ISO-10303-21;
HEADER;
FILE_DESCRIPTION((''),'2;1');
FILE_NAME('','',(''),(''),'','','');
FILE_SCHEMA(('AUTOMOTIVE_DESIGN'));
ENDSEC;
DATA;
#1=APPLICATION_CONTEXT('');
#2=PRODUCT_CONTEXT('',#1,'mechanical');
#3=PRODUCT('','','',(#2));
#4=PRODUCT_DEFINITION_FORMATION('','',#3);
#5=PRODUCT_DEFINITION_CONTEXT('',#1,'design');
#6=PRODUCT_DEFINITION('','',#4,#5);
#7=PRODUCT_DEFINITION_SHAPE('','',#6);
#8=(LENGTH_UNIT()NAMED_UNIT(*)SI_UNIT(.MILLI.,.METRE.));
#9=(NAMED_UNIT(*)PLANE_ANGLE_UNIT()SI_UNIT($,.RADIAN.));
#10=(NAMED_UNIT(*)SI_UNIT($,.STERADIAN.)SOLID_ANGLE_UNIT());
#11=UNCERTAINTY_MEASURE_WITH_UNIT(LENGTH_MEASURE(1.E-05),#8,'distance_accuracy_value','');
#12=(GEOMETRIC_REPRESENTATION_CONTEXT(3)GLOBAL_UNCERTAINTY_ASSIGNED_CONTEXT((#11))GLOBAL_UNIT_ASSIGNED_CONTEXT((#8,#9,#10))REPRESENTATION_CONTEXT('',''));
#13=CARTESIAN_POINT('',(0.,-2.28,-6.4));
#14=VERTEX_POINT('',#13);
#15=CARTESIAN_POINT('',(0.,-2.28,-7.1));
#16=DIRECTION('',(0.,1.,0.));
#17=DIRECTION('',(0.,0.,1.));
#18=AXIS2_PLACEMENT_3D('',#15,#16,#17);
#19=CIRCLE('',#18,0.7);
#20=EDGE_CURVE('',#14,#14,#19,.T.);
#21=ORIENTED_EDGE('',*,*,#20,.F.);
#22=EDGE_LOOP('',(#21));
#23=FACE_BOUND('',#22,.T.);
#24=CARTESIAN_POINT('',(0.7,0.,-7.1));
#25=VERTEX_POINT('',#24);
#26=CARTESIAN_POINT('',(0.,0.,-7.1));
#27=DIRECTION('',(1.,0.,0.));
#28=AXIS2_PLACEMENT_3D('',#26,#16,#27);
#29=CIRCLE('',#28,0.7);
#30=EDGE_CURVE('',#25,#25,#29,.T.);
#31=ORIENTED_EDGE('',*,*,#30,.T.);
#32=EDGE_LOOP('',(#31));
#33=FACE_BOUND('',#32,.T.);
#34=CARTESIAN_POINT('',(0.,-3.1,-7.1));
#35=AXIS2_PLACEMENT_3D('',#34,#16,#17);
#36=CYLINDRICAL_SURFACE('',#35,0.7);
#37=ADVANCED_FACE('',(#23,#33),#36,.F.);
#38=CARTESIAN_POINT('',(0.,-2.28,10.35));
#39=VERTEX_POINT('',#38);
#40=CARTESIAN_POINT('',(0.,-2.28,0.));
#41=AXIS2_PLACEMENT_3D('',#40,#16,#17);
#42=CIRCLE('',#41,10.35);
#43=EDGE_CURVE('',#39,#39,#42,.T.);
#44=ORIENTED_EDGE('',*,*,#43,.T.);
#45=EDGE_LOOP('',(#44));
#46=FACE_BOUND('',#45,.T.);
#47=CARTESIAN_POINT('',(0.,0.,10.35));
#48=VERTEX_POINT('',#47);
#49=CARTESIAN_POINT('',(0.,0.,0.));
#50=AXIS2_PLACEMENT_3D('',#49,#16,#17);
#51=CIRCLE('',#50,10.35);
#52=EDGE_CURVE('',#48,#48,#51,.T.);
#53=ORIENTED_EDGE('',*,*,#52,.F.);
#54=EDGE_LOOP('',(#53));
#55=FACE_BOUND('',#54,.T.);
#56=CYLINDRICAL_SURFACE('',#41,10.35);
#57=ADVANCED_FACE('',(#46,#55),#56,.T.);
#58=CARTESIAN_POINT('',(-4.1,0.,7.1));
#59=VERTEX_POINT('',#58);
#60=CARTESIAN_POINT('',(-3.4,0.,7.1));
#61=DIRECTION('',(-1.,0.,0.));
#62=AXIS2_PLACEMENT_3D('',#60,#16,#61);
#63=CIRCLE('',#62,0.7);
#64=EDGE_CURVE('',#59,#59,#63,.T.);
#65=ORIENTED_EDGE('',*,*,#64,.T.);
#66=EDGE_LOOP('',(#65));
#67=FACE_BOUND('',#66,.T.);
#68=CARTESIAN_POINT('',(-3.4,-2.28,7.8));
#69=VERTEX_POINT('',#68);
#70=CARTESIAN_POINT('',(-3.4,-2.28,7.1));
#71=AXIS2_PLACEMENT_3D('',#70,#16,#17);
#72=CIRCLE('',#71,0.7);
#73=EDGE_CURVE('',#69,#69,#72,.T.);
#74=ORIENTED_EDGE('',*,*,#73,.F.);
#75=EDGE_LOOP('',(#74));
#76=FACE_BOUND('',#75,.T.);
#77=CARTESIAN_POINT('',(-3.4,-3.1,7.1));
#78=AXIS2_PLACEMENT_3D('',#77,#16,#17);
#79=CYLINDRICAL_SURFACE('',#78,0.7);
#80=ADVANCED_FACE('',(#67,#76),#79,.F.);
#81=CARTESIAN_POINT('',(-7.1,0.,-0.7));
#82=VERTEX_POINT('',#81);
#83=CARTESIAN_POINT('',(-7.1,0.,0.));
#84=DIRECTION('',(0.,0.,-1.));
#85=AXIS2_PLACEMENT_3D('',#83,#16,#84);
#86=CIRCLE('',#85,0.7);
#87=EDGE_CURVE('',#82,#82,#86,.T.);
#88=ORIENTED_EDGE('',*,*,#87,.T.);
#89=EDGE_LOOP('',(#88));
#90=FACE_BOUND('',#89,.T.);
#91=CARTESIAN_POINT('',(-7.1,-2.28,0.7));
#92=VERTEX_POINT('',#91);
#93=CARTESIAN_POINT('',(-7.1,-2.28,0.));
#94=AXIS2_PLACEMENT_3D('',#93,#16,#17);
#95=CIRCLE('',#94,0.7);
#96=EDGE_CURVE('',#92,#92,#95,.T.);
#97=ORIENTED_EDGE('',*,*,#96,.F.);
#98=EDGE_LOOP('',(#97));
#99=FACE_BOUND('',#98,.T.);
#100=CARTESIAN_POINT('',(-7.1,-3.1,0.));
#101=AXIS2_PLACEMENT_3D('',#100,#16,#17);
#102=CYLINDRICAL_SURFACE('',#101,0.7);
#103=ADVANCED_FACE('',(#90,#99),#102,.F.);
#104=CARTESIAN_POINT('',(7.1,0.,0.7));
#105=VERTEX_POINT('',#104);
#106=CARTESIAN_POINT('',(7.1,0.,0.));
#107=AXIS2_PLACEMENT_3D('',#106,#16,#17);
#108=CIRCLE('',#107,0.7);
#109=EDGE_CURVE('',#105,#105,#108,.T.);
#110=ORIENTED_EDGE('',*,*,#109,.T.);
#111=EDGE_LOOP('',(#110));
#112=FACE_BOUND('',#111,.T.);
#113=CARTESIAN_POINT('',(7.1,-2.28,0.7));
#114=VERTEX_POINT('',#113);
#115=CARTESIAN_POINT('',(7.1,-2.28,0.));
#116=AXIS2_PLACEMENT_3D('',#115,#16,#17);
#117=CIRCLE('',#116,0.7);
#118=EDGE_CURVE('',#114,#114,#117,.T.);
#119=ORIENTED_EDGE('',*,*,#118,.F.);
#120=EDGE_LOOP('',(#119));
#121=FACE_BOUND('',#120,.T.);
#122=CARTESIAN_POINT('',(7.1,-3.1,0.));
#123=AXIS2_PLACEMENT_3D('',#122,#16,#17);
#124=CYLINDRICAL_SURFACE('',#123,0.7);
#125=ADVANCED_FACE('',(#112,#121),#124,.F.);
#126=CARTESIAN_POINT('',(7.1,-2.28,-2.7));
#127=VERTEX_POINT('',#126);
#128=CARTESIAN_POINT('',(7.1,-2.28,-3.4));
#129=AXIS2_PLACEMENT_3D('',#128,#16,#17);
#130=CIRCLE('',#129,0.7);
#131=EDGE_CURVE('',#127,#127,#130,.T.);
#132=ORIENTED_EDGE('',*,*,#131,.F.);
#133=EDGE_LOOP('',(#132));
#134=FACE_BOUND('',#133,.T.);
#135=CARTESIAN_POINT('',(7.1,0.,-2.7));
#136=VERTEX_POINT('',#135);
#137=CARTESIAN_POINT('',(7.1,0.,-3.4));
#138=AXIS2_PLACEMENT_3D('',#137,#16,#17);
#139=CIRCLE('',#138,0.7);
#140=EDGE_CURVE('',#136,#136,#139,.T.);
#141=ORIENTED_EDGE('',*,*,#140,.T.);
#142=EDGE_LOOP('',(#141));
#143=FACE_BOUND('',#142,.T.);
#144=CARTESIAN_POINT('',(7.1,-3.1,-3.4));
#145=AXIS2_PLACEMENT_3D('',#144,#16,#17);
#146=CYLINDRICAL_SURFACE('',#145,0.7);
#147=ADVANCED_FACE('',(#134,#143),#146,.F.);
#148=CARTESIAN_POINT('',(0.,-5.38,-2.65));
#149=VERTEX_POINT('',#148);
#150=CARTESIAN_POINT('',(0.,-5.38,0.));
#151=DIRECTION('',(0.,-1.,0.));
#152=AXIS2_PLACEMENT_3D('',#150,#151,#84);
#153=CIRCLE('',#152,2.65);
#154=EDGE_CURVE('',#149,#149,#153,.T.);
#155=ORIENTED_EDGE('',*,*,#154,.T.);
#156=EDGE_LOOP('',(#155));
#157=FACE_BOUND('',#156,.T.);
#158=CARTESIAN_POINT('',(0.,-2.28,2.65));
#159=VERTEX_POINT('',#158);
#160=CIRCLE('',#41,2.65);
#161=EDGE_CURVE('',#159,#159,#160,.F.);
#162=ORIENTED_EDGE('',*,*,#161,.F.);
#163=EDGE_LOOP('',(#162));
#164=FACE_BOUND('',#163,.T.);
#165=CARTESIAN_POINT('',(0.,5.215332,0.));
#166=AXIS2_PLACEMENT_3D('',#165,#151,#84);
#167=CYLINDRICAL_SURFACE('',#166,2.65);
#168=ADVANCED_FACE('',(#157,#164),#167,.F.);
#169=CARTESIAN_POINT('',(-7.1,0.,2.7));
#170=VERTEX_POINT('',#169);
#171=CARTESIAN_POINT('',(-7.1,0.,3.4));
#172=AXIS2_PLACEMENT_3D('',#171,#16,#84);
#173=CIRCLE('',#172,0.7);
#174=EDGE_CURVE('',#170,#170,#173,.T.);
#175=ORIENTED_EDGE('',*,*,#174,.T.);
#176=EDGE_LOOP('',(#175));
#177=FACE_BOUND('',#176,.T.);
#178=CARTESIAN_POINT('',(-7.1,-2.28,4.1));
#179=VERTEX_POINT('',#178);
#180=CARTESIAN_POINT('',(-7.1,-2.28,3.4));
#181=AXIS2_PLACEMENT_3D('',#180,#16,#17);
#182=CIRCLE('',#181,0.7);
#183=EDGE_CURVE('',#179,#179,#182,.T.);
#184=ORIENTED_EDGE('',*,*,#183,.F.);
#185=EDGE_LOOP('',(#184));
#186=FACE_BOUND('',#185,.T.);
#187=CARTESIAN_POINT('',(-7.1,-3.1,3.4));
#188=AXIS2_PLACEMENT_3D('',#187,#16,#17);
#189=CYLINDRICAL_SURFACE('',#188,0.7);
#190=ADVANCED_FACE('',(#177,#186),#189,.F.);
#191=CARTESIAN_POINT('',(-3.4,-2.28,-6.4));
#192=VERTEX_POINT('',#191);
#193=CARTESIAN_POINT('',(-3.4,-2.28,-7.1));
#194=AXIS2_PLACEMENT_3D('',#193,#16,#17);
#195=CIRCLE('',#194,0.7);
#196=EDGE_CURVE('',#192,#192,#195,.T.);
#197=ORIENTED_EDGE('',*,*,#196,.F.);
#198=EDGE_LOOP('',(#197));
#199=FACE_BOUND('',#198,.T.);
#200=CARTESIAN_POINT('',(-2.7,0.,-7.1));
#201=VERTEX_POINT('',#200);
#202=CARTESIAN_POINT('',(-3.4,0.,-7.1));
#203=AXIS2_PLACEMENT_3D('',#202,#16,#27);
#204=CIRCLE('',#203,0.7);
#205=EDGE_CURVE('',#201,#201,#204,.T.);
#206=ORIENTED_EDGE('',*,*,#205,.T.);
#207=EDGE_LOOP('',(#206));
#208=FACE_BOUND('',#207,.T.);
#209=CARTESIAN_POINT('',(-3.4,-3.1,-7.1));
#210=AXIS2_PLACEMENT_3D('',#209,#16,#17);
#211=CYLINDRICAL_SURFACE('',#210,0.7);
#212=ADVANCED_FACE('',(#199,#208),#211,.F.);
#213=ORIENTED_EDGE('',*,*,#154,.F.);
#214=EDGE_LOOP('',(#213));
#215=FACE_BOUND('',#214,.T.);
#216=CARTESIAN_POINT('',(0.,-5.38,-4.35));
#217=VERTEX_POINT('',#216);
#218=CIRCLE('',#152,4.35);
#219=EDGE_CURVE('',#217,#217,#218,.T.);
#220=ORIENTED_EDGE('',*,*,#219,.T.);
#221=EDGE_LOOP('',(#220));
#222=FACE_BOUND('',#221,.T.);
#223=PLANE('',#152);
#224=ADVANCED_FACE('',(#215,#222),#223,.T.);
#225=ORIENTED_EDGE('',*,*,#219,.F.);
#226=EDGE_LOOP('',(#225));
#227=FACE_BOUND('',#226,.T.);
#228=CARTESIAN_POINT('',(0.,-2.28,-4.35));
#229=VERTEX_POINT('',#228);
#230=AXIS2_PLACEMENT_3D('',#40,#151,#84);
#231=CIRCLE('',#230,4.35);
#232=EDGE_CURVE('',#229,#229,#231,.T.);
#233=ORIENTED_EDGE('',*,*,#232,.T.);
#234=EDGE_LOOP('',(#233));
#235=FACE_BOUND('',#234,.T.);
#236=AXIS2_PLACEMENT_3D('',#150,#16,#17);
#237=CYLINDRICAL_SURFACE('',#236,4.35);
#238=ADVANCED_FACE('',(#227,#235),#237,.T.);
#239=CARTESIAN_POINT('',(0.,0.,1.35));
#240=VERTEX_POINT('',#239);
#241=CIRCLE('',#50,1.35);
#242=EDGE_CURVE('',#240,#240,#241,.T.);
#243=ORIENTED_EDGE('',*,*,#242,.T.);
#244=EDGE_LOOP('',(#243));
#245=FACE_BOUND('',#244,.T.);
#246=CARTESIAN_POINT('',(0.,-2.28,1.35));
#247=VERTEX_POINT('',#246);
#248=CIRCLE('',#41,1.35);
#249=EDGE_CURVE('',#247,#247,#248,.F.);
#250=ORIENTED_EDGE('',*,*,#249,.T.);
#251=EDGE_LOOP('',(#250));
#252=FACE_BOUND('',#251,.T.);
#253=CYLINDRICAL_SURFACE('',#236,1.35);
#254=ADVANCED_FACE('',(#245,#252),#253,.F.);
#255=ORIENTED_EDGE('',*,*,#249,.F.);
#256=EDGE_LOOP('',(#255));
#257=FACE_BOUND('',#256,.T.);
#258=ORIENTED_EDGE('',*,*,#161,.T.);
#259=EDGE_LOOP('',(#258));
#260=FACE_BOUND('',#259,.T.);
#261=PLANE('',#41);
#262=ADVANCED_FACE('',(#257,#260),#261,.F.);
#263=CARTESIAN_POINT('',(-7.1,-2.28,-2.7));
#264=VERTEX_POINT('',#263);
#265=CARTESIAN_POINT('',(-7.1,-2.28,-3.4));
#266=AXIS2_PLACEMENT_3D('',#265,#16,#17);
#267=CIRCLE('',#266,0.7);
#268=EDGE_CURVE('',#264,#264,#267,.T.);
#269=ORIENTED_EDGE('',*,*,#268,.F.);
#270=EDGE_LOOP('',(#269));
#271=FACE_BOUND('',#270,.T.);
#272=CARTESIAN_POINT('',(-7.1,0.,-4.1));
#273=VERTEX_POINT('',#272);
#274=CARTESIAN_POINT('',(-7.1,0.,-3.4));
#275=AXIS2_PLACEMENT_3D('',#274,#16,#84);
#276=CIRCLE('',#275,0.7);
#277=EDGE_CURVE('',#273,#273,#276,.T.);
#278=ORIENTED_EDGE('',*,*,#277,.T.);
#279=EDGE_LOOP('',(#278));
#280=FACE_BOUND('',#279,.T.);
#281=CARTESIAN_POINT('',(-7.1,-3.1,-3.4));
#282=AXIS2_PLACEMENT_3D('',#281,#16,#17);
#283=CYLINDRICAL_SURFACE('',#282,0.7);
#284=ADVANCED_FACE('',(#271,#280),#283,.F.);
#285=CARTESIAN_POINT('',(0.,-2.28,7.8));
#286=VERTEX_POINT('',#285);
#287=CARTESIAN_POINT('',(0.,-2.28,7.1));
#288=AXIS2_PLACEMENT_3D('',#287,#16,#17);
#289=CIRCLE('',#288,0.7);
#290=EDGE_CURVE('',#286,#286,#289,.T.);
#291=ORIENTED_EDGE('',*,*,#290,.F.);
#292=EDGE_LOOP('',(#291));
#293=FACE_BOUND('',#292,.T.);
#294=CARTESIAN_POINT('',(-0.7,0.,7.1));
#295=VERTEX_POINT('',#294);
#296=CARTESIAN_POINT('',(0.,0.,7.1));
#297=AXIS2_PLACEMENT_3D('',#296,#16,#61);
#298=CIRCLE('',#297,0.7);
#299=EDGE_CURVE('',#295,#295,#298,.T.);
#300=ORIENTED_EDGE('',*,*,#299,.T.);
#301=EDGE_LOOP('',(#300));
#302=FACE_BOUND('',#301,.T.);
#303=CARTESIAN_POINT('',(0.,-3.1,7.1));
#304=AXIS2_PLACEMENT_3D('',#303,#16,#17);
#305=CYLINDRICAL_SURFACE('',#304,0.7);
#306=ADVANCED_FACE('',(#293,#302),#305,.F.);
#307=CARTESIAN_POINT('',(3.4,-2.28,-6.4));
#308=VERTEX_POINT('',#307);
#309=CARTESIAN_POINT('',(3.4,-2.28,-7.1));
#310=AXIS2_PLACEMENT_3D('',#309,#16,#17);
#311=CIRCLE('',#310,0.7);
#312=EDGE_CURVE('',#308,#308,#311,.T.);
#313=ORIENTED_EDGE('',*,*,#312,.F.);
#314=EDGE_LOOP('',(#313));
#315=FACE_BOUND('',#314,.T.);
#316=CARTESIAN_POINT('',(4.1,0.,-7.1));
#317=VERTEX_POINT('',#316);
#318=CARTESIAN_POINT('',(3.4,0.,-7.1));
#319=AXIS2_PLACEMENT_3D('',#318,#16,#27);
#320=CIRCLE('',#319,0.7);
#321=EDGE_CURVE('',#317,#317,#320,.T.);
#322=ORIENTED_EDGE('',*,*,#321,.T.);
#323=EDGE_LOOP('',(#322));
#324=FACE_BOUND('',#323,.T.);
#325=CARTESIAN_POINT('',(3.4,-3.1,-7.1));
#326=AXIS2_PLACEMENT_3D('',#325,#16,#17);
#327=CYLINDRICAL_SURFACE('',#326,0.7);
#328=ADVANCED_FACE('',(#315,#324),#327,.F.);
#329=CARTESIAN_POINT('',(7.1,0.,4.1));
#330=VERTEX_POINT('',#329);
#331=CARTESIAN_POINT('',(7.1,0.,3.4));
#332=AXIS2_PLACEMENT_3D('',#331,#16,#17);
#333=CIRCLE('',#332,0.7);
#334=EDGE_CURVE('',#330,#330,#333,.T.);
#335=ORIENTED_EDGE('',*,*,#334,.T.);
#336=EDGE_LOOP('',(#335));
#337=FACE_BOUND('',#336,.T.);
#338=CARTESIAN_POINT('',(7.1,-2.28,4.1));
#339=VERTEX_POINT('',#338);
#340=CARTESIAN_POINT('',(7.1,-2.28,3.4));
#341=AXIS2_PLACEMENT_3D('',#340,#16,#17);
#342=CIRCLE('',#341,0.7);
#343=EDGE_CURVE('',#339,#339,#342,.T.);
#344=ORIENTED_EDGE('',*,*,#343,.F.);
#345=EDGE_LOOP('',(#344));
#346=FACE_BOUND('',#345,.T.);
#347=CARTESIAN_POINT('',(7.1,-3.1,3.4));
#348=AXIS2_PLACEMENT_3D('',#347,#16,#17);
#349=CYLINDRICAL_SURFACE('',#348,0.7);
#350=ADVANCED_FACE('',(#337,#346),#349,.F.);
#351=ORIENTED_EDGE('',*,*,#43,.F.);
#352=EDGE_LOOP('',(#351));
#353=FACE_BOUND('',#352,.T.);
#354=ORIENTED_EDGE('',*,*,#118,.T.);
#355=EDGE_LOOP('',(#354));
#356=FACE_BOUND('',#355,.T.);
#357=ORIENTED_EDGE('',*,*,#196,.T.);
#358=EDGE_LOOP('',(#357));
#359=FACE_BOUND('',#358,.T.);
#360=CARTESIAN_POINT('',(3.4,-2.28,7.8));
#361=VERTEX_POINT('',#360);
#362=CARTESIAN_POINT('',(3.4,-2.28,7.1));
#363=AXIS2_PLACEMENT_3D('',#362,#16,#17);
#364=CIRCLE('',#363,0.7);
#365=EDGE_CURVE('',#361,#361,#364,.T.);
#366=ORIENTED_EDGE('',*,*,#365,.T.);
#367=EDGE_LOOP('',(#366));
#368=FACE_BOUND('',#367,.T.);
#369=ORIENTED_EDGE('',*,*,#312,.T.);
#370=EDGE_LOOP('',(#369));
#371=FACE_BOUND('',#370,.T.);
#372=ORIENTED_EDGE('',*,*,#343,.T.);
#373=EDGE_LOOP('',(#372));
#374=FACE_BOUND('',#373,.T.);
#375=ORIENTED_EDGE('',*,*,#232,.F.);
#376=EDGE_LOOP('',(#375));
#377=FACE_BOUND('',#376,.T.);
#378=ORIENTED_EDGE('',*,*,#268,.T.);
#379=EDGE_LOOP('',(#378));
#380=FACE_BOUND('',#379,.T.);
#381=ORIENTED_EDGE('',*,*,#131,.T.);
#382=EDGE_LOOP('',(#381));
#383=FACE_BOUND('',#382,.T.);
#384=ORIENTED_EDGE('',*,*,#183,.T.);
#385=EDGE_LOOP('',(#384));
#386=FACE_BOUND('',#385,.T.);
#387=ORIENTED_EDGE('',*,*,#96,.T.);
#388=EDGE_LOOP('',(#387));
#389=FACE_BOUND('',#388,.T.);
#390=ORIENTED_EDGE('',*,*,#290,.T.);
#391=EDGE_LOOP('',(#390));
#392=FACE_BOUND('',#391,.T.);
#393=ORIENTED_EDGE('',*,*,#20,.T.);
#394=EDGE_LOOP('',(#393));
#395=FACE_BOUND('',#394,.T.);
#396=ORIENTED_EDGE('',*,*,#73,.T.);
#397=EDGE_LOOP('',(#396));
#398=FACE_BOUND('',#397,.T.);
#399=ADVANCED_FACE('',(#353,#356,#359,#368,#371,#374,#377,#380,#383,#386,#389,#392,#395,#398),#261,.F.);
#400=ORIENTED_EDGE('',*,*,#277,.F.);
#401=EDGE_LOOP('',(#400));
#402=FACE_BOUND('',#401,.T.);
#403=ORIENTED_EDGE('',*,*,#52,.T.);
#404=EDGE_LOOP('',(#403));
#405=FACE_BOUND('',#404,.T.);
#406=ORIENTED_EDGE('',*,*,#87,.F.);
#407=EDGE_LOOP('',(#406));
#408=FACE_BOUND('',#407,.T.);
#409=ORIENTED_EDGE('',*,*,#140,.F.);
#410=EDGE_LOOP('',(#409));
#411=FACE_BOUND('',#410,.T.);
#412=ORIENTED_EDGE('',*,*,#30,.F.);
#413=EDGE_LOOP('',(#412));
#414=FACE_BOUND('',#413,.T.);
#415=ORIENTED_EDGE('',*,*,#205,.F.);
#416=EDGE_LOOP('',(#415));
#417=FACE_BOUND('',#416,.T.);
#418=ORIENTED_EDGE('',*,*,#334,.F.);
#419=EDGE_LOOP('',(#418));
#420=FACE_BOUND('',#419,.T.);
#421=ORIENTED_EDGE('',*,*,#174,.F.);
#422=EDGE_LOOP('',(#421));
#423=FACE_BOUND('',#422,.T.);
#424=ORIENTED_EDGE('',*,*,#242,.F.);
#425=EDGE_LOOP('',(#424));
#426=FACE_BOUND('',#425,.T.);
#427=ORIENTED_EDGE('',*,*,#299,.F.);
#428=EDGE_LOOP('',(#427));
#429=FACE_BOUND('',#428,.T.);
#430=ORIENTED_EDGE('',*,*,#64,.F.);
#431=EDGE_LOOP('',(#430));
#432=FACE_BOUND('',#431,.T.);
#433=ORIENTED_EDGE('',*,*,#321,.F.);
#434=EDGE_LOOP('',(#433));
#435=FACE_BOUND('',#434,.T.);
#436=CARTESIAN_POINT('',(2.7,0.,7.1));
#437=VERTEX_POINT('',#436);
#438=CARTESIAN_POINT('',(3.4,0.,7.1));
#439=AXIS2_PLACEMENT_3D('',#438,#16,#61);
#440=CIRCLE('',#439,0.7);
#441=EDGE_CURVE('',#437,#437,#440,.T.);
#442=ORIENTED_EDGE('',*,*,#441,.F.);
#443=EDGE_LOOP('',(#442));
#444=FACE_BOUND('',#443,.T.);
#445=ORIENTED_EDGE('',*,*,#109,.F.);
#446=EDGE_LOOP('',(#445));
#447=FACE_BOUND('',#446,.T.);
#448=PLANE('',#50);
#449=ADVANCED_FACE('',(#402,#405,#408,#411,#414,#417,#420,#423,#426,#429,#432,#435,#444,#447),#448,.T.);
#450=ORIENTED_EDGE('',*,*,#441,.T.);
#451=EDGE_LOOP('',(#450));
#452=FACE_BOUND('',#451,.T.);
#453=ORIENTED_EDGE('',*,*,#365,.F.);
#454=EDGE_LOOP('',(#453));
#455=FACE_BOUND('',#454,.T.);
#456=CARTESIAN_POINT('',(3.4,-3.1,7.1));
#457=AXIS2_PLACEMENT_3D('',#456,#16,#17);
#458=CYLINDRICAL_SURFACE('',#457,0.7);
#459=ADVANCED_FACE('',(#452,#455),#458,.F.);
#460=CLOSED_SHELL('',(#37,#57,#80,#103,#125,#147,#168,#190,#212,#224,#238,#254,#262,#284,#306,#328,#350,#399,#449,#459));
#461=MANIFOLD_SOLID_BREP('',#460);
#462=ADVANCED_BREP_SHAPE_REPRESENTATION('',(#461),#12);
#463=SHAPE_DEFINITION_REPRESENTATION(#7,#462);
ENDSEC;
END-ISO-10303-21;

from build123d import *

# Parameters (mm, degrees)
SKETCH1_R           = 10.35
BOSS_EXTRUDE1_DEPTH = 2.28
SKETCH2_R           = 4.35
BOSS_EXTRUDE2_DEPTH = 3.1
SKETCH3_R           = 1.35
CUT_EXTRUDE1_DEPTH  = 6.38
SKETCH4_R           = 2.65
CUT_EXTRUDE2_DEPTH  = 3.1
SKETCH5_R           = 0.7
CUT_EXTRUDE3_DEPTH  = 3.1
CIRPATTERN1_COUNT   = 4


with BuildPart() as part:
    # Sketch1 → Boss-Extrude1 (new body)
    with BuildSketch(Plane(origin=(0, 0, 0), x_dir=(1, 0, 0), z_dir=(0, 1, 0))):
        Circle(SKETCH1_R)
    extrude(amount=-BOSS_EXTRUDE1_DEPTH)

    # Sketch2 → Boss-Extrude2 (add)
    with BuildSketch(Plane.XZ.offset(2.28)):
        Circle(SKETCH2_R)
    extrude(amount=BOSS_EXTRUDE2_DEPTH)

    # Sketch3 → Cut-Extrude1 (cut, through all)
    with BuildSketch(Plane(origin=(0, 0, 0), x_dir=(1, 0, 0), z_dir=(0, 1, 0))):
        Circle(SKETCH3_R)
    extrude(amount=-CUT_EXTRUDE1_DEPTH, mode=Mode.SUBTRACT)

    # Sketch4 → Cut-Extrude2 (cut)
    with BuildSketch(Plane.XZ.offset(5.38)):
        Circle(SKETCH4_R)
    extrude(amount=-CUT_EXTRUDE2_DEPTH, mode=Mode.SUBTRACT)

    # Sketch5 → Cut-Extrude3 (cut)
    with BuildSketch(Plane(origin=(0, 0, 0), x_dir=(1, 0, 0), z_dir=(0, 1, 0))):
        with Locations((7.1, 3.4)):
            Circle(SKETCH5_R)
        with Locations((7.1, 0)):
            Circle(SKETCH5_R)
        with Locations((7.1, -3.4)):
            Circle(SKETCH5_R)
    cut_extrude3 = extrude(amount=-CUT_EXTRUDE3_DEPTH, mode=Mode.SUBTRACT)

    # CirPattern1: Cut-Extrude3 ×4 about axis
    cirpattern1_axis = Axis((0, 0, 0), (0, 1, 0))
    for i in range(1, CIRPATTERN1_COUNT):
        add(cut_extrude3.rotate(cirpattern1_axis, i * 360 / CIRPATTERN1_COUNT), mode=Mode.SUBTRACT)


solid = part.part
